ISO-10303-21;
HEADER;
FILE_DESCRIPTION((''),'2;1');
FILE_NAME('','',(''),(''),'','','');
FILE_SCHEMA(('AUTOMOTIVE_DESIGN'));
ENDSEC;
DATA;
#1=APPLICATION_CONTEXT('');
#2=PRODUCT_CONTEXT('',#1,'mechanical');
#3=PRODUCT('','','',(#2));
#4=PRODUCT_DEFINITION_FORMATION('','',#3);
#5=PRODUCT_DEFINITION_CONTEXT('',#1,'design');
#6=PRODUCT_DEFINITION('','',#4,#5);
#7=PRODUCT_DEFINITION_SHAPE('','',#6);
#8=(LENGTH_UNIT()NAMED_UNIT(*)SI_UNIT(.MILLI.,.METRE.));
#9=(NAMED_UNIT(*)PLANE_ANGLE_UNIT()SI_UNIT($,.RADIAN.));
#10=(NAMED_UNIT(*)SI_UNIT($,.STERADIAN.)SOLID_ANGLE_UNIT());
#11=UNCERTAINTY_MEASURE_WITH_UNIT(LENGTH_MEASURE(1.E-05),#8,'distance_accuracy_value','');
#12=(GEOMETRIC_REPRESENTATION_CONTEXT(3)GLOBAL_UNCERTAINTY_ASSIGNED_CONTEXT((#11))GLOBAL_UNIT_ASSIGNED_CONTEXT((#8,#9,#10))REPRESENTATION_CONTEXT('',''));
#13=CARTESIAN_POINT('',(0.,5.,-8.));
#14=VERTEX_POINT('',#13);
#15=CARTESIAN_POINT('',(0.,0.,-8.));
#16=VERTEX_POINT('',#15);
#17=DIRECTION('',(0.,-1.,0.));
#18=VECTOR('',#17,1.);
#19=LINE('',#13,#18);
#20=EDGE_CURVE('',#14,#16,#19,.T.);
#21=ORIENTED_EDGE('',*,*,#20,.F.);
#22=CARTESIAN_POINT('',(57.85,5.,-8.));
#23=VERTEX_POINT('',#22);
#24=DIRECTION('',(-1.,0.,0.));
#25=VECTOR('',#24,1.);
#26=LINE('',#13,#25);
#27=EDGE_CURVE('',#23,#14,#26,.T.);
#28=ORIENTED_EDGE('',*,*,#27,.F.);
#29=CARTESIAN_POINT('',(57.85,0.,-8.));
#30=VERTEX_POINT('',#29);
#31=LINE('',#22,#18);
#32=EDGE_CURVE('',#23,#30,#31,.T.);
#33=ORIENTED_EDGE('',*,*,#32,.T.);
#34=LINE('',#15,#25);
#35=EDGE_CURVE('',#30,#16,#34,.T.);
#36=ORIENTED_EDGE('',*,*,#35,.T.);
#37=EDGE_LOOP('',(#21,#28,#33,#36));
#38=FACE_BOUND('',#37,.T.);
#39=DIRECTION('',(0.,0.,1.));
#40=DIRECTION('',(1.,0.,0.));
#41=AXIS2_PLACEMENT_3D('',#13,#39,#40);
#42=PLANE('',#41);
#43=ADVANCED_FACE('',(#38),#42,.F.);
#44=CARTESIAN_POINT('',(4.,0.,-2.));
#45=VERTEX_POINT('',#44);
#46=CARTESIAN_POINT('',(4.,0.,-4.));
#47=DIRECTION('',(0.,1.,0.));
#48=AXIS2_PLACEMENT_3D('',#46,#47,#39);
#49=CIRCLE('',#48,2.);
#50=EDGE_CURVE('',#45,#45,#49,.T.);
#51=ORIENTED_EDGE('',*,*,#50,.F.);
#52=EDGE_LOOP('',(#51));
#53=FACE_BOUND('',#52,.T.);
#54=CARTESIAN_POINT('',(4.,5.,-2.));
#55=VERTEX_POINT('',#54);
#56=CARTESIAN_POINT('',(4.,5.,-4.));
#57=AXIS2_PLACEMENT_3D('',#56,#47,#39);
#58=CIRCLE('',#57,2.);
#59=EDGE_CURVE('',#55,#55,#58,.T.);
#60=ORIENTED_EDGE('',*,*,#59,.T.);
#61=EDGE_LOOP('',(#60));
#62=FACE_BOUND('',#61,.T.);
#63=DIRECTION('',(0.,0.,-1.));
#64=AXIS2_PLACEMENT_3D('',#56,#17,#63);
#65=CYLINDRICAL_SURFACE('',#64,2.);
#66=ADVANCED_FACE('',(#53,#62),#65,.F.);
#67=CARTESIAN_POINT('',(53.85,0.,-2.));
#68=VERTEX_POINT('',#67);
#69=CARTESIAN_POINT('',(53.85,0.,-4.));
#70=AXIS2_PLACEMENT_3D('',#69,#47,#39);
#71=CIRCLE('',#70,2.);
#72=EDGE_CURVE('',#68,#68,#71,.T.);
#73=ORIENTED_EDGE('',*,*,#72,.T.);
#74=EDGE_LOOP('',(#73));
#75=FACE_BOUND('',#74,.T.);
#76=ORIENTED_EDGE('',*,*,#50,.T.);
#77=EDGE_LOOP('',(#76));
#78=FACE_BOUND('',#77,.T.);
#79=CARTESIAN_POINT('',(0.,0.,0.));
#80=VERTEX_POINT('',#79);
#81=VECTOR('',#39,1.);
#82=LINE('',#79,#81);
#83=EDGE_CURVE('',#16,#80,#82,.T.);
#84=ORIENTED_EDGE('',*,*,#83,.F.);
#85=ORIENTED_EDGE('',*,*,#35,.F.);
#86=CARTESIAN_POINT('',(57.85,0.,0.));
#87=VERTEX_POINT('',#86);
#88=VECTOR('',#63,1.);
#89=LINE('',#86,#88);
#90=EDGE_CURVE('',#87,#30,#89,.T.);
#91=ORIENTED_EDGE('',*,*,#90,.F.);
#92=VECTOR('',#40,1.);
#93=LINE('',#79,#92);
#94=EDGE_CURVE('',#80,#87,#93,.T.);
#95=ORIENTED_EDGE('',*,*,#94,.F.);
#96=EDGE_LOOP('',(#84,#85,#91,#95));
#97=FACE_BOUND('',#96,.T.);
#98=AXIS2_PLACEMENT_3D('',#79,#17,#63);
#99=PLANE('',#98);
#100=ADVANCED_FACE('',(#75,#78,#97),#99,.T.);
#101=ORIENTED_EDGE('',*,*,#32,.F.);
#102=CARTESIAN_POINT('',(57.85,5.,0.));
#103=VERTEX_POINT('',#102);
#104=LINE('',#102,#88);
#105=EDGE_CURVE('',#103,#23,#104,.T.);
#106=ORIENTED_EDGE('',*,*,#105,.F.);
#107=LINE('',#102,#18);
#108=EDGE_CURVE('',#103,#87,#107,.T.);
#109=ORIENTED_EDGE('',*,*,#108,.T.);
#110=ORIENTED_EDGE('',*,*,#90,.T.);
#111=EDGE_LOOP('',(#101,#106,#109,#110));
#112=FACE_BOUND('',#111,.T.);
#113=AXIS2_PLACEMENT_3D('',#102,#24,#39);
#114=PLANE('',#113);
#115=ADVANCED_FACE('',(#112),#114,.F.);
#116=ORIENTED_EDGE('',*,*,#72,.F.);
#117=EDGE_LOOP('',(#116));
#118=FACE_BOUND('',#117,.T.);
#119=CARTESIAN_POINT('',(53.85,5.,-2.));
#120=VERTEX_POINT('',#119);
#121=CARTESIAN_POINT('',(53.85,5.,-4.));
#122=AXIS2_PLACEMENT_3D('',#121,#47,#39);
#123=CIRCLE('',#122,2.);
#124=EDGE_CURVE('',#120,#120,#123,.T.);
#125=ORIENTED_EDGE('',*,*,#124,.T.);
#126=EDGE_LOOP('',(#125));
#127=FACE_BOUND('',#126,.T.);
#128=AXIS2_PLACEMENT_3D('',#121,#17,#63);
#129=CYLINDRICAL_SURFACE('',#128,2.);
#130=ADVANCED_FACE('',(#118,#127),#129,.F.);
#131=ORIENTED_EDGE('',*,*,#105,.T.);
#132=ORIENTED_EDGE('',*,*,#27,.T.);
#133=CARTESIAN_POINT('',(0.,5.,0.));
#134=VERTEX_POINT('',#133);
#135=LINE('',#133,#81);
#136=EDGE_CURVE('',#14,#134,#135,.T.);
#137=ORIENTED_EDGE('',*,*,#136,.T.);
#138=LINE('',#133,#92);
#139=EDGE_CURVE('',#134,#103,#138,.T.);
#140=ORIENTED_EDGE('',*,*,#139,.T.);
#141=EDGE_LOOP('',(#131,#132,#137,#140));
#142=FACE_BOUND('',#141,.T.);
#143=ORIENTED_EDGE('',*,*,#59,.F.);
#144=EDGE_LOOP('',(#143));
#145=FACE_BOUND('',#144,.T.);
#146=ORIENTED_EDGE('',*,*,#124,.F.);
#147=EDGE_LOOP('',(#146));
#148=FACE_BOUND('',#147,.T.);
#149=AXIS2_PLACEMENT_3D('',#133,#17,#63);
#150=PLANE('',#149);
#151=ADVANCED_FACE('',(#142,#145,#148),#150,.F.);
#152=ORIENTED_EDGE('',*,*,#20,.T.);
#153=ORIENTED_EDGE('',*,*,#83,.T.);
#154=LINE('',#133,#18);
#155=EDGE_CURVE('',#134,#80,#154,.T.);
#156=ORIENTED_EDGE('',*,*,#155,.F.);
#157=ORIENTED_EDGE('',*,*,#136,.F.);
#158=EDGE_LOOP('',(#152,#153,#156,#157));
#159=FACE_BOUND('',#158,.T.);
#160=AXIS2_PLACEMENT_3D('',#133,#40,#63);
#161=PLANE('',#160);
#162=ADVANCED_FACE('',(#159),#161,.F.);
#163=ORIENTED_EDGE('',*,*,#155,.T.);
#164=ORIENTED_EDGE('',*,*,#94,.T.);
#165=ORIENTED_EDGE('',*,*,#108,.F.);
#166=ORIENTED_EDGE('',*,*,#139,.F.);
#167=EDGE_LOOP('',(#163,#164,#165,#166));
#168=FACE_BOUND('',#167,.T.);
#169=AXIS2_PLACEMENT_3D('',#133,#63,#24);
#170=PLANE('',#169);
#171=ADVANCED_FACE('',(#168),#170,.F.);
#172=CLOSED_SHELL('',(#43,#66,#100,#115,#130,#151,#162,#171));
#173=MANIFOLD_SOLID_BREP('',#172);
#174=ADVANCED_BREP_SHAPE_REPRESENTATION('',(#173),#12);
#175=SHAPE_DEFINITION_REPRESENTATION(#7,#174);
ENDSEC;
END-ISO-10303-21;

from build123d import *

# Parameters (mm, degrees)
SKETCH1_W           = 57.85
SKETCH1_H           = 8
SKETCH1_R           = 2
BOSS_EXTRUDE1_DEPTH = 5


with BuildPart() as part:
    # Sketch1 → Boss-Extrude1 (new body)
    with BuildSketch(Plane(origin=(0, 0, 0), x_dir=(1, 0, 0), z_dir=(0, 1, 0))):
        with Locations((28.925, 4)):
            Rectangle(SKETCH1_W, SKETCH1_H)
        with Locations(Location((4, 4, 0), (0, 0, 270))):
            Circle(SKETCH1_R, mode=Mode.SUBTRACT)
        with Locations(Location((53.85, 4, 0), (0, 0, 270))):
            Circle(SKETCH1_R, mode=Mode.SUBTRACT)
    extrude(amount=BOSS_EXTRUDE1_DEPTH)


solid = part.part
